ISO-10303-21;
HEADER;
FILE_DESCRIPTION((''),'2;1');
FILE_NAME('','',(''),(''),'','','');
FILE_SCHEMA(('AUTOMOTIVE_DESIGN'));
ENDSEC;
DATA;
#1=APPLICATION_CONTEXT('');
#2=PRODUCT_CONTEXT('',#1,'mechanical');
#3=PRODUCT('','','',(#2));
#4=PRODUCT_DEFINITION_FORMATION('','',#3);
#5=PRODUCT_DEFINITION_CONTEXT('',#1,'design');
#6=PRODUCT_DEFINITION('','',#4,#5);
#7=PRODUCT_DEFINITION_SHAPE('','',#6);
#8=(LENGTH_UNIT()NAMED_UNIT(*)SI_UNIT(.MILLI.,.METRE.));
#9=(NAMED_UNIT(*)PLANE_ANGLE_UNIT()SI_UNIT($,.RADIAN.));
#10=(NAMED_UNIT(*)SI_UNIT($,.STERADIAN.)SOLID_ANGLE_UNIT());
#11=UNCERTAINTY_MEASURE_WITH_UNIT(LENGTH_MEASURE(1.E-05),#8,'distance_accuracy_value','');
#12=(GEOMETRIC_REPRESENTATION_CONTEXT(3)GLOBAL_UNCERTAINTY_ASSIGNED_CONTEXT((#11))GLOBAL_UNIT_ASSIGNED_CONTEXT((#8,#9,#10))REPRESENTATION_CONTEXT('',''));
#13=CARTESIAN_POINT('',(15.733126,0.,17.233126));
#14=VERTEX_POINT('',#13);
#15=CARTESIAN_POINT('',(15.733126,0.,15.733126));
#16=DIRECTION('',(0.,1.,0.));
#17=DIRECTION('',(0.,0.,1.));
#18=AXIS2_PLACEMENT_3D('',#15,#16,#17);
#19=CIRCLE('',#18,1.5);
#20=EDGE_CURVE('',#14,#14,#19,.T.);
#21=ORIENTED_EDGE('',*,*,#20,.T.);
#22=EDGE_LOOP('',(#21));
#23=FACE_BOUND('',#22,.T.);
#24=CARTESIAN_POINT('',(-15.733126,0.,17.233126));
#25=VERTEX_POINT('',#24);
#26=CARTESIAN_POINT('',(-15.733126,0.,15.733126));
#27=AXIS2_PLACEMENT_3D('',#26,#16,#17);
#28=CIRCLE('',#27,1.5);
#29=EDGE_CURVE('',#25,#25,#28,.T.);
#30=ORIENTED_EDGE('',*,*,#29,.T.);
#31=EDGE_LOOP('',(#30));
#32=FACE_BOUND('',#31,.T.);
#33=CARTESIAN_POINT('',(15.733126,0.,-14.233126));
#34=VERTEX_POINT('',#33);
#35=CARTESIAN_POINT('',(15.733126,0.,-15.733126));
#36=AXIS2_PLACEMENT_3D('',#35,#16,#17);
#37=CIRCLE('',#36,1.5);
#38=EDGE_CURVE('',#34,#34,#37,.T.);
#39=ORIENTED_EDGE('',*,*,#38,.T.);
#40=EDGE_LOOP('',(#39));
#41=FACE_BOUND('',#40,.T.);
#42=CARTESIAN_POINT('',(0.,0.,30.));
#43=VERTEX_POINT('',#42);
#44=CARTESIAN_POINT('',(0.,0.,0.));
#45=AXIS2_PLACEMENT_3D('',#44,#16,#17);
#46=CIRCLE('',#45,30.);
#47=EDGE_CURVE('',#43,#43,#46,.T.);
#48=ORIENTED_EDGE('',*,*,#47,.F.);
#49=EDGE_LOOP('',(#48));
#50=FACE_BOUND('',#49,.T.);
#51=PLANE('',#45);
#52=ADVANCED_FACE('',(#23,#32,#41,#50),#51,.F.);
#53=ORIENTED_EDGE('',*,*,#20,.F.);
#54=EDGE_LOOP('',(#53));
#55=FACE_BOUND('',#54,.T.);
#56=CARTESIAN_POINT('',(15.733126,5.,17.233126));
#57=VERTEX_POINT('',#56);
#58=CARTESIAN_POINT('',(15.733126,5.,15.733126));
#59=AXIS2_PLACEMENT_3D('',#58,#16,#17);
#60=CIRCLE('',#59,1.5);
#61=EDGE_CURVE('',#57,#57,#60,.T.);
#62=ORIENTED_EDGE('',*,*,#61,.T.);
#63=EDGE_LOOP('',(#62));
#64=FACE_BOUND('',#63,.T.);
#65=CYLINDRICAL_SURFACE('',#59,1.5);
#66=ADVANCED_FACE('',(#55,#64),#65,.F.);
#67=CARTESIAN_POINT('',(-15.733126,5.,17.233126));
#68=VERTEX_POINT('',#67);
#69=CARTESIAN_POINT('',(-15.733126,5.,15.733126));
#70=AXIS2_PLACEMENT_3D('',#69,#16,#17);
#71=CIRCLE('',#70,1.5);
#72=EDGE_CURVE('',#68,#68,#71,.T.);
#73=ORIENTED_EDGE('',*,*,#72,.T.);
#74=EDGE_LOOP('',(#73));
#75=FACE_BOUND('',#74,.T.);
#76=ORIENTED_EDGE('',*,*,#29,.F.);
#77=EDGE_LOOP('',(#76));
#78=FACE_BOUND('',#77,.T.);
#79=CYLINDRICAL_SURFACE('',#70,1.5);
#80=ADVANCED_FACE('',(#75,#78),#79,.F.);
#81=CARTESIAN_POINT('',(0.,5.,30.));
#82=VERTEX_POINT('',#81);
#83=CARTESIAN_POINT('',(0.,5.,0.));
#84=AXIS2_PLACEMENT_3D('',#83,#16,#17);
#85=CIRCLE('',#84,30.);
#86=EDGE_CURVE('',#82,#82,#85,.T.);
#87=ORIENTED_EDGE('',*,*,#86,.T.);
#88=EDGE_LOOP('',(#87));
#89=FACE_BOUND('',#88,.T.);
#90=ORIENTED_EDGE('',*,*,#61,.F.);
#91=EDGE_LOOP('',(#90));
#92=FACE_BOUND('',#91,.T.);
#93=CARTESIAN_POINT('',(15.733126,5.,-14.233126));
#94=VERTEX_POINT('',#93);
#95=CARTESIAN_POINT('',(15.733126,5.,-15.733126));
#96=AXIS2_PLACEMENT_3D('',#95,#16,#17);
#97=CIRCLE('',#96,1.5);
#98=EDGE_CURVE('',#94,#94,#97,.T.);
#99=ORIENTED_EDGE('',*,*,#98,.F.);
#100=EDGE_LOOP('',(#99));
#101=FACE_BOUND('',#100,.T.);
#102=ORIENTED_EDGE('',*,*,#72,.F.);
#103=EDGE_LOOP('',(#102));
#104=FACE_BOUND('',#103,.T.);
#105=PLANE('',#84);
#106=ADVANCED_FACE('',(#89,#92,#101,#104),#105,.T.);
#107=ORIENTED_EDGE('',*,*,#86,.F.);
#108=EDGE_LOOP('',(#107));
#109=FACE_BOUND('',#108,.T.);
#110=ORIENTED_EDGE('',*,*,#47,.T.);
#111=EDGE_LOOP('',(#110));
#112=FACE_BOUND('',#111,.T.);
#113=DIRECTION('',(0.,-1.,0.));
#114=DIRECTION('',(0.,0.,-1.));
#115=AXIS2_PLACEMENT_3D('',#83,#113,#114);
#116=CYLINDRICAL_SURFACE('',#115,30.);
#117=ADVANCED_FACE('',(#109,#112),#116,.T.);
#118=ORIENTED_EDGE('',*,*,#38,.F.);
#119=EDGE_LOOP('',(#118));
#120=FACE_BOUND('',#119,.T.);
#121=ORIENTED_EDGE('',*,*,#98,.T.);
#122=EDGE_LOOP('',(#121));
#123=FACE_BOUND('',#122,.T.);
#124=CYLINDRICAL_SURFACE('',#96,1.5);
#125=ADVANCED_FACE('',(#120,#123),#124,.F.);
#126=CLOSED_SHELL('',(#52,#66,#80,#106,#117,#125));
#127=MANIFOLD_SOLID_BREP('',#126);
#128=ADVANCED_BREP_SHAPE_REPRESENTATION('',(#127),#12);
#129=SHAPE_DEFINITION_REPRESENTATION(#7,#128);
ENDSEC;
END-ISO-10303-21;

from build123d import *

# Parameters (mm, degrees)
SKETCH1_R                = 30
BOSS_EXTRUDE1_DEPTH      = 5
F_3_0_3_DIAMETER_HOLE1_D = 3


with BuildPart() as part:
    # Sketch1 → Boss-Extrude1 (new body)
    with BuildSketch(Plane(origin=(0, 0, 0), x_dir=(1, 0, 0), z_dir=(0, 1, 0))):
        with Locations(Location((0, 0, 0), (0, 0, 270))):
            Circle(SKETCH1_R)
    extrude(amount=BOSS_EXTRUDE1_DEPTH)

    # Ø3.0 (3) Diameter Hole1 (through all)
    with Locations(Plane(origin=(0, 5, 0), x_dir=(1, 0, 0), z_dir=(0, 1, 0))):
        with Locations((-15.733125881, -15.733125881), (15.733125881, -15.733125881), (15.733125881, 15.733125881)):
            Hole(F_3_0_3_DIAMETER_HOLE1_D / 2)


solid = part.part
